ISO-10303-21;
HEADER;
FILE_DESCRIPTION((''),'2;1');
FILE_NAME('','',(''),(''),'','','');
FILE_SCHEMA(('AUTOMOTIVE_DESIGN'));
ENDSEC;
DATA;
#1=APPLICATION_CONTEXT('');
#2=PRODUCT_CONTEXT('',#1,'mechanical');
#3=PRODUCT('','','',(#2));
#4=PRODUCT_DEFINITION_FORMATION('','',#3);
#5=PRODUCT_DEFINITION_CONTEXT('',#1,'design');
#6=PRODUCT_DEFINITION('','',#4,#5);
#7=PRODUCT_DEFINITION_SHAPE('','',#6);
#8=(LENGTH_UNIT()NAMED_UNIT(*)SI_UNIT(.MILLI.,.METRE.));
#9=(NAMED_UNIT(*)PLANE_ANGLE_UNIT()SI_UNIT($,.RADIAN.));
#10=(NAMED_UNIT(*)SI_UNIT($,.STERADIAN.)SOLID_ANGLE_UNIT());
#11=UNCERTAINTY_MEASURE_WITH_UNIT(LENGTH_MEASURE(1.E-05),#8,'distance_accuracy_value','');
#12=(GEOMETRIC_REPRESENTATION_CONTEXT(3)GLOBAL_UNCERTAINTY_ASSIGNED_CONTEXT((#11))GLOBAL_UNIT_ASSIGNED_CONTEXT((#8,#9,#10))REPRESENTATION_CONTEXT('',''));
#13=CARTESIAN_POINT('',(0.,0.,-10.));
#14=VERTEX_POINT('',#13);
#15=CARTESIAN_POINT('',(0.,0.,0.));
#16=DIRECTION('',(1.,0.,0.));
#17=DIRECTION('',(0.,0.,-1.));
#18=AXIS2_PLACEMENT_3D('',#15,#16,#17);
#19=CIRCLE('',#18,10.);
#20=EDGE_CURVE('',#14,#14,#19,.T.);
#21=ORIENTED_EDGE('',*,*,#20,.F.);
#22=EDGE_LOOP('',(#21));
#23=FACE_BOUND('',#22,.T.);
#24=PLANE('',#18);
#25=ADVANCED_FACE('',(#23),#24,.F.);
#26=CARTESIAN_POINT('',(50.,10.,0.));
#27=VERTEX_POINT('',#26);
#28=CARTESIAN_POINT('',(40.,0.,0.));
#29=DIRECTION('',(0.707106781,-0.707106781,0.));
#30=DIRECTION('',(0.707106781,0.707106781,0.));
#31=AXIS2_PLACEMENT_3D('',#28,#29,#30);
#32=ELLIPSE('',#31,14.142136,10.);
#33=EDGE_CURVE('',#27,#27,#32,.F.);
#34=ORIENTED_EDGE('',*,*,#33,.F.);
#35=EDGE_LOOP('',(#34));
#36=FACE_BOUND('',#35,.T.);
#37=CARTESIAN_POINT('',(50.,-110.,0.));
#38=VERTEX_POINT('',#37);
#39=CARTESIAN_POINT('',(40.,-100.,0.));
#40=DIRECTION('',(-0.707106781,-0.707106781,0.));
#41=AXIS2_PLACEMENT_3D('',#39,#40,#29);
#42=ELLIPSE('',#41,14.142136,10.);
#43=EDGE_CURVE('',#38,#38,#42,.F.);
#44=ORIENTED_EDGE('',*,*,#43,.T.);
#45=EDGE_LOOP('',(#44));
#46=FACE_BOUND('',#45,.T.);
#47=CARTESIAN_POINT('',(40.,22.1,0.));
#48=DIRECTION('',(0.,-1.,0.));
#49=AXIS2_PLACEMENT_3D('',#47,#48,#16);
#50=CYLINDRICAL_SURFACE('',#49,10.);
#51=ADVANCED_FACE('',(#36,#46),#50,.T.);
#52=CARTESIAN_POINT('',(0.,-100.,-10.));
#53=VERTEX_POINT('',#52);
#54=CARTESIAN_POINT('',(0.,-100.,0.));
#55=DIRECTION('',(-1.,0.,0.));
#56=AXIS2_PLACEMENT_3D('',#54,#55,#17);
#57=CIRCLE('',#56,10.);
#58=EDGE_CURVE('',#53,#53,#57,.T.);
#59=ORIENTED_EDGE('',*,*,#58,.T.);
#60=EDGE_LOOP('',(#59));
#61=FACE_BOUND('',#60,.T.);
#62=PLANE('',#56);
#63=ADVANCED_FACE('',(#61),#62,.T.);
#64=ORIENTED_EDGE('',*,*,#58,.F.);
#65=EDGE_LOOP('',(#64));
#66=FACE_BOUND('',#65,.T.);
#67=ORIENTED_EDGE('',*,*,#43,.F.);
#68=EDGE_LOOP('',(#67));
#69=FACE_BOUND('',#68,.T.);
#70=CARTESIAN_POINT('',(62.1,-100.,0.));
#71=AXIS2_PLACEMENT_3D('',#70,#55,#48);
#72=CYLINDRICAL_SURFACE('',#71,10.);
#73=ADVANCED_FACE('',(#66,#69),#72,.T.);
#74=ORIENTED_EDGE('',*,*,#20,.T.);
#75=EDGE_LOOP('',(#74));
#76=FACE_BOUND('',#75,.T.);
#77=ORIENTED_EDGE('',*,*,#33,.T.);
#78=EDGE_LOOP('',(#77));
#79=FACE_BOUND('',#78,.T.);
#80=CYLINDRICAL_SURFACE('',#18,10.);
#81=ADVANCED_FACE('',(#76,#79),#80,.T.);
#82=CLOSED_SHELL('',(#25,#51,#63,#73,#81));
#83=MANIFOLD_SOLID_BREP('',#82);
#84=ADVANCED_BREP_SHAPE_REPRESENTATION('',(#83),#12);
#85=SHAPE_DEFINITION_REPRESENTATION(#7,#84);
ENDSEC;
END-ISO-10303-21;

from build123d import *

# Parameters (mm, degrees)
SKETCH1_R = 10


with BuildPart() as part:
    # Sweep1: sweep along a path in Sketch3
    with BuildLine(Plane.XY) as sweep1_path:
        Line((0, 0), (40, 0))
        Line((40, 0), (40, -100))
        Line((40, -100), (0, -100))
    # Sketch1 → Sweep1 (sweep)
    with BuildSketch(Plane(origin=(0, 0, 0), x_dir=(0, 0, -1), z_dir=(1, 0, 0))):
        Circle(SKETCH1_R)
    sweep(path=sweep1_path.line, transition=Transition.RIGHT)


solid = part.part
